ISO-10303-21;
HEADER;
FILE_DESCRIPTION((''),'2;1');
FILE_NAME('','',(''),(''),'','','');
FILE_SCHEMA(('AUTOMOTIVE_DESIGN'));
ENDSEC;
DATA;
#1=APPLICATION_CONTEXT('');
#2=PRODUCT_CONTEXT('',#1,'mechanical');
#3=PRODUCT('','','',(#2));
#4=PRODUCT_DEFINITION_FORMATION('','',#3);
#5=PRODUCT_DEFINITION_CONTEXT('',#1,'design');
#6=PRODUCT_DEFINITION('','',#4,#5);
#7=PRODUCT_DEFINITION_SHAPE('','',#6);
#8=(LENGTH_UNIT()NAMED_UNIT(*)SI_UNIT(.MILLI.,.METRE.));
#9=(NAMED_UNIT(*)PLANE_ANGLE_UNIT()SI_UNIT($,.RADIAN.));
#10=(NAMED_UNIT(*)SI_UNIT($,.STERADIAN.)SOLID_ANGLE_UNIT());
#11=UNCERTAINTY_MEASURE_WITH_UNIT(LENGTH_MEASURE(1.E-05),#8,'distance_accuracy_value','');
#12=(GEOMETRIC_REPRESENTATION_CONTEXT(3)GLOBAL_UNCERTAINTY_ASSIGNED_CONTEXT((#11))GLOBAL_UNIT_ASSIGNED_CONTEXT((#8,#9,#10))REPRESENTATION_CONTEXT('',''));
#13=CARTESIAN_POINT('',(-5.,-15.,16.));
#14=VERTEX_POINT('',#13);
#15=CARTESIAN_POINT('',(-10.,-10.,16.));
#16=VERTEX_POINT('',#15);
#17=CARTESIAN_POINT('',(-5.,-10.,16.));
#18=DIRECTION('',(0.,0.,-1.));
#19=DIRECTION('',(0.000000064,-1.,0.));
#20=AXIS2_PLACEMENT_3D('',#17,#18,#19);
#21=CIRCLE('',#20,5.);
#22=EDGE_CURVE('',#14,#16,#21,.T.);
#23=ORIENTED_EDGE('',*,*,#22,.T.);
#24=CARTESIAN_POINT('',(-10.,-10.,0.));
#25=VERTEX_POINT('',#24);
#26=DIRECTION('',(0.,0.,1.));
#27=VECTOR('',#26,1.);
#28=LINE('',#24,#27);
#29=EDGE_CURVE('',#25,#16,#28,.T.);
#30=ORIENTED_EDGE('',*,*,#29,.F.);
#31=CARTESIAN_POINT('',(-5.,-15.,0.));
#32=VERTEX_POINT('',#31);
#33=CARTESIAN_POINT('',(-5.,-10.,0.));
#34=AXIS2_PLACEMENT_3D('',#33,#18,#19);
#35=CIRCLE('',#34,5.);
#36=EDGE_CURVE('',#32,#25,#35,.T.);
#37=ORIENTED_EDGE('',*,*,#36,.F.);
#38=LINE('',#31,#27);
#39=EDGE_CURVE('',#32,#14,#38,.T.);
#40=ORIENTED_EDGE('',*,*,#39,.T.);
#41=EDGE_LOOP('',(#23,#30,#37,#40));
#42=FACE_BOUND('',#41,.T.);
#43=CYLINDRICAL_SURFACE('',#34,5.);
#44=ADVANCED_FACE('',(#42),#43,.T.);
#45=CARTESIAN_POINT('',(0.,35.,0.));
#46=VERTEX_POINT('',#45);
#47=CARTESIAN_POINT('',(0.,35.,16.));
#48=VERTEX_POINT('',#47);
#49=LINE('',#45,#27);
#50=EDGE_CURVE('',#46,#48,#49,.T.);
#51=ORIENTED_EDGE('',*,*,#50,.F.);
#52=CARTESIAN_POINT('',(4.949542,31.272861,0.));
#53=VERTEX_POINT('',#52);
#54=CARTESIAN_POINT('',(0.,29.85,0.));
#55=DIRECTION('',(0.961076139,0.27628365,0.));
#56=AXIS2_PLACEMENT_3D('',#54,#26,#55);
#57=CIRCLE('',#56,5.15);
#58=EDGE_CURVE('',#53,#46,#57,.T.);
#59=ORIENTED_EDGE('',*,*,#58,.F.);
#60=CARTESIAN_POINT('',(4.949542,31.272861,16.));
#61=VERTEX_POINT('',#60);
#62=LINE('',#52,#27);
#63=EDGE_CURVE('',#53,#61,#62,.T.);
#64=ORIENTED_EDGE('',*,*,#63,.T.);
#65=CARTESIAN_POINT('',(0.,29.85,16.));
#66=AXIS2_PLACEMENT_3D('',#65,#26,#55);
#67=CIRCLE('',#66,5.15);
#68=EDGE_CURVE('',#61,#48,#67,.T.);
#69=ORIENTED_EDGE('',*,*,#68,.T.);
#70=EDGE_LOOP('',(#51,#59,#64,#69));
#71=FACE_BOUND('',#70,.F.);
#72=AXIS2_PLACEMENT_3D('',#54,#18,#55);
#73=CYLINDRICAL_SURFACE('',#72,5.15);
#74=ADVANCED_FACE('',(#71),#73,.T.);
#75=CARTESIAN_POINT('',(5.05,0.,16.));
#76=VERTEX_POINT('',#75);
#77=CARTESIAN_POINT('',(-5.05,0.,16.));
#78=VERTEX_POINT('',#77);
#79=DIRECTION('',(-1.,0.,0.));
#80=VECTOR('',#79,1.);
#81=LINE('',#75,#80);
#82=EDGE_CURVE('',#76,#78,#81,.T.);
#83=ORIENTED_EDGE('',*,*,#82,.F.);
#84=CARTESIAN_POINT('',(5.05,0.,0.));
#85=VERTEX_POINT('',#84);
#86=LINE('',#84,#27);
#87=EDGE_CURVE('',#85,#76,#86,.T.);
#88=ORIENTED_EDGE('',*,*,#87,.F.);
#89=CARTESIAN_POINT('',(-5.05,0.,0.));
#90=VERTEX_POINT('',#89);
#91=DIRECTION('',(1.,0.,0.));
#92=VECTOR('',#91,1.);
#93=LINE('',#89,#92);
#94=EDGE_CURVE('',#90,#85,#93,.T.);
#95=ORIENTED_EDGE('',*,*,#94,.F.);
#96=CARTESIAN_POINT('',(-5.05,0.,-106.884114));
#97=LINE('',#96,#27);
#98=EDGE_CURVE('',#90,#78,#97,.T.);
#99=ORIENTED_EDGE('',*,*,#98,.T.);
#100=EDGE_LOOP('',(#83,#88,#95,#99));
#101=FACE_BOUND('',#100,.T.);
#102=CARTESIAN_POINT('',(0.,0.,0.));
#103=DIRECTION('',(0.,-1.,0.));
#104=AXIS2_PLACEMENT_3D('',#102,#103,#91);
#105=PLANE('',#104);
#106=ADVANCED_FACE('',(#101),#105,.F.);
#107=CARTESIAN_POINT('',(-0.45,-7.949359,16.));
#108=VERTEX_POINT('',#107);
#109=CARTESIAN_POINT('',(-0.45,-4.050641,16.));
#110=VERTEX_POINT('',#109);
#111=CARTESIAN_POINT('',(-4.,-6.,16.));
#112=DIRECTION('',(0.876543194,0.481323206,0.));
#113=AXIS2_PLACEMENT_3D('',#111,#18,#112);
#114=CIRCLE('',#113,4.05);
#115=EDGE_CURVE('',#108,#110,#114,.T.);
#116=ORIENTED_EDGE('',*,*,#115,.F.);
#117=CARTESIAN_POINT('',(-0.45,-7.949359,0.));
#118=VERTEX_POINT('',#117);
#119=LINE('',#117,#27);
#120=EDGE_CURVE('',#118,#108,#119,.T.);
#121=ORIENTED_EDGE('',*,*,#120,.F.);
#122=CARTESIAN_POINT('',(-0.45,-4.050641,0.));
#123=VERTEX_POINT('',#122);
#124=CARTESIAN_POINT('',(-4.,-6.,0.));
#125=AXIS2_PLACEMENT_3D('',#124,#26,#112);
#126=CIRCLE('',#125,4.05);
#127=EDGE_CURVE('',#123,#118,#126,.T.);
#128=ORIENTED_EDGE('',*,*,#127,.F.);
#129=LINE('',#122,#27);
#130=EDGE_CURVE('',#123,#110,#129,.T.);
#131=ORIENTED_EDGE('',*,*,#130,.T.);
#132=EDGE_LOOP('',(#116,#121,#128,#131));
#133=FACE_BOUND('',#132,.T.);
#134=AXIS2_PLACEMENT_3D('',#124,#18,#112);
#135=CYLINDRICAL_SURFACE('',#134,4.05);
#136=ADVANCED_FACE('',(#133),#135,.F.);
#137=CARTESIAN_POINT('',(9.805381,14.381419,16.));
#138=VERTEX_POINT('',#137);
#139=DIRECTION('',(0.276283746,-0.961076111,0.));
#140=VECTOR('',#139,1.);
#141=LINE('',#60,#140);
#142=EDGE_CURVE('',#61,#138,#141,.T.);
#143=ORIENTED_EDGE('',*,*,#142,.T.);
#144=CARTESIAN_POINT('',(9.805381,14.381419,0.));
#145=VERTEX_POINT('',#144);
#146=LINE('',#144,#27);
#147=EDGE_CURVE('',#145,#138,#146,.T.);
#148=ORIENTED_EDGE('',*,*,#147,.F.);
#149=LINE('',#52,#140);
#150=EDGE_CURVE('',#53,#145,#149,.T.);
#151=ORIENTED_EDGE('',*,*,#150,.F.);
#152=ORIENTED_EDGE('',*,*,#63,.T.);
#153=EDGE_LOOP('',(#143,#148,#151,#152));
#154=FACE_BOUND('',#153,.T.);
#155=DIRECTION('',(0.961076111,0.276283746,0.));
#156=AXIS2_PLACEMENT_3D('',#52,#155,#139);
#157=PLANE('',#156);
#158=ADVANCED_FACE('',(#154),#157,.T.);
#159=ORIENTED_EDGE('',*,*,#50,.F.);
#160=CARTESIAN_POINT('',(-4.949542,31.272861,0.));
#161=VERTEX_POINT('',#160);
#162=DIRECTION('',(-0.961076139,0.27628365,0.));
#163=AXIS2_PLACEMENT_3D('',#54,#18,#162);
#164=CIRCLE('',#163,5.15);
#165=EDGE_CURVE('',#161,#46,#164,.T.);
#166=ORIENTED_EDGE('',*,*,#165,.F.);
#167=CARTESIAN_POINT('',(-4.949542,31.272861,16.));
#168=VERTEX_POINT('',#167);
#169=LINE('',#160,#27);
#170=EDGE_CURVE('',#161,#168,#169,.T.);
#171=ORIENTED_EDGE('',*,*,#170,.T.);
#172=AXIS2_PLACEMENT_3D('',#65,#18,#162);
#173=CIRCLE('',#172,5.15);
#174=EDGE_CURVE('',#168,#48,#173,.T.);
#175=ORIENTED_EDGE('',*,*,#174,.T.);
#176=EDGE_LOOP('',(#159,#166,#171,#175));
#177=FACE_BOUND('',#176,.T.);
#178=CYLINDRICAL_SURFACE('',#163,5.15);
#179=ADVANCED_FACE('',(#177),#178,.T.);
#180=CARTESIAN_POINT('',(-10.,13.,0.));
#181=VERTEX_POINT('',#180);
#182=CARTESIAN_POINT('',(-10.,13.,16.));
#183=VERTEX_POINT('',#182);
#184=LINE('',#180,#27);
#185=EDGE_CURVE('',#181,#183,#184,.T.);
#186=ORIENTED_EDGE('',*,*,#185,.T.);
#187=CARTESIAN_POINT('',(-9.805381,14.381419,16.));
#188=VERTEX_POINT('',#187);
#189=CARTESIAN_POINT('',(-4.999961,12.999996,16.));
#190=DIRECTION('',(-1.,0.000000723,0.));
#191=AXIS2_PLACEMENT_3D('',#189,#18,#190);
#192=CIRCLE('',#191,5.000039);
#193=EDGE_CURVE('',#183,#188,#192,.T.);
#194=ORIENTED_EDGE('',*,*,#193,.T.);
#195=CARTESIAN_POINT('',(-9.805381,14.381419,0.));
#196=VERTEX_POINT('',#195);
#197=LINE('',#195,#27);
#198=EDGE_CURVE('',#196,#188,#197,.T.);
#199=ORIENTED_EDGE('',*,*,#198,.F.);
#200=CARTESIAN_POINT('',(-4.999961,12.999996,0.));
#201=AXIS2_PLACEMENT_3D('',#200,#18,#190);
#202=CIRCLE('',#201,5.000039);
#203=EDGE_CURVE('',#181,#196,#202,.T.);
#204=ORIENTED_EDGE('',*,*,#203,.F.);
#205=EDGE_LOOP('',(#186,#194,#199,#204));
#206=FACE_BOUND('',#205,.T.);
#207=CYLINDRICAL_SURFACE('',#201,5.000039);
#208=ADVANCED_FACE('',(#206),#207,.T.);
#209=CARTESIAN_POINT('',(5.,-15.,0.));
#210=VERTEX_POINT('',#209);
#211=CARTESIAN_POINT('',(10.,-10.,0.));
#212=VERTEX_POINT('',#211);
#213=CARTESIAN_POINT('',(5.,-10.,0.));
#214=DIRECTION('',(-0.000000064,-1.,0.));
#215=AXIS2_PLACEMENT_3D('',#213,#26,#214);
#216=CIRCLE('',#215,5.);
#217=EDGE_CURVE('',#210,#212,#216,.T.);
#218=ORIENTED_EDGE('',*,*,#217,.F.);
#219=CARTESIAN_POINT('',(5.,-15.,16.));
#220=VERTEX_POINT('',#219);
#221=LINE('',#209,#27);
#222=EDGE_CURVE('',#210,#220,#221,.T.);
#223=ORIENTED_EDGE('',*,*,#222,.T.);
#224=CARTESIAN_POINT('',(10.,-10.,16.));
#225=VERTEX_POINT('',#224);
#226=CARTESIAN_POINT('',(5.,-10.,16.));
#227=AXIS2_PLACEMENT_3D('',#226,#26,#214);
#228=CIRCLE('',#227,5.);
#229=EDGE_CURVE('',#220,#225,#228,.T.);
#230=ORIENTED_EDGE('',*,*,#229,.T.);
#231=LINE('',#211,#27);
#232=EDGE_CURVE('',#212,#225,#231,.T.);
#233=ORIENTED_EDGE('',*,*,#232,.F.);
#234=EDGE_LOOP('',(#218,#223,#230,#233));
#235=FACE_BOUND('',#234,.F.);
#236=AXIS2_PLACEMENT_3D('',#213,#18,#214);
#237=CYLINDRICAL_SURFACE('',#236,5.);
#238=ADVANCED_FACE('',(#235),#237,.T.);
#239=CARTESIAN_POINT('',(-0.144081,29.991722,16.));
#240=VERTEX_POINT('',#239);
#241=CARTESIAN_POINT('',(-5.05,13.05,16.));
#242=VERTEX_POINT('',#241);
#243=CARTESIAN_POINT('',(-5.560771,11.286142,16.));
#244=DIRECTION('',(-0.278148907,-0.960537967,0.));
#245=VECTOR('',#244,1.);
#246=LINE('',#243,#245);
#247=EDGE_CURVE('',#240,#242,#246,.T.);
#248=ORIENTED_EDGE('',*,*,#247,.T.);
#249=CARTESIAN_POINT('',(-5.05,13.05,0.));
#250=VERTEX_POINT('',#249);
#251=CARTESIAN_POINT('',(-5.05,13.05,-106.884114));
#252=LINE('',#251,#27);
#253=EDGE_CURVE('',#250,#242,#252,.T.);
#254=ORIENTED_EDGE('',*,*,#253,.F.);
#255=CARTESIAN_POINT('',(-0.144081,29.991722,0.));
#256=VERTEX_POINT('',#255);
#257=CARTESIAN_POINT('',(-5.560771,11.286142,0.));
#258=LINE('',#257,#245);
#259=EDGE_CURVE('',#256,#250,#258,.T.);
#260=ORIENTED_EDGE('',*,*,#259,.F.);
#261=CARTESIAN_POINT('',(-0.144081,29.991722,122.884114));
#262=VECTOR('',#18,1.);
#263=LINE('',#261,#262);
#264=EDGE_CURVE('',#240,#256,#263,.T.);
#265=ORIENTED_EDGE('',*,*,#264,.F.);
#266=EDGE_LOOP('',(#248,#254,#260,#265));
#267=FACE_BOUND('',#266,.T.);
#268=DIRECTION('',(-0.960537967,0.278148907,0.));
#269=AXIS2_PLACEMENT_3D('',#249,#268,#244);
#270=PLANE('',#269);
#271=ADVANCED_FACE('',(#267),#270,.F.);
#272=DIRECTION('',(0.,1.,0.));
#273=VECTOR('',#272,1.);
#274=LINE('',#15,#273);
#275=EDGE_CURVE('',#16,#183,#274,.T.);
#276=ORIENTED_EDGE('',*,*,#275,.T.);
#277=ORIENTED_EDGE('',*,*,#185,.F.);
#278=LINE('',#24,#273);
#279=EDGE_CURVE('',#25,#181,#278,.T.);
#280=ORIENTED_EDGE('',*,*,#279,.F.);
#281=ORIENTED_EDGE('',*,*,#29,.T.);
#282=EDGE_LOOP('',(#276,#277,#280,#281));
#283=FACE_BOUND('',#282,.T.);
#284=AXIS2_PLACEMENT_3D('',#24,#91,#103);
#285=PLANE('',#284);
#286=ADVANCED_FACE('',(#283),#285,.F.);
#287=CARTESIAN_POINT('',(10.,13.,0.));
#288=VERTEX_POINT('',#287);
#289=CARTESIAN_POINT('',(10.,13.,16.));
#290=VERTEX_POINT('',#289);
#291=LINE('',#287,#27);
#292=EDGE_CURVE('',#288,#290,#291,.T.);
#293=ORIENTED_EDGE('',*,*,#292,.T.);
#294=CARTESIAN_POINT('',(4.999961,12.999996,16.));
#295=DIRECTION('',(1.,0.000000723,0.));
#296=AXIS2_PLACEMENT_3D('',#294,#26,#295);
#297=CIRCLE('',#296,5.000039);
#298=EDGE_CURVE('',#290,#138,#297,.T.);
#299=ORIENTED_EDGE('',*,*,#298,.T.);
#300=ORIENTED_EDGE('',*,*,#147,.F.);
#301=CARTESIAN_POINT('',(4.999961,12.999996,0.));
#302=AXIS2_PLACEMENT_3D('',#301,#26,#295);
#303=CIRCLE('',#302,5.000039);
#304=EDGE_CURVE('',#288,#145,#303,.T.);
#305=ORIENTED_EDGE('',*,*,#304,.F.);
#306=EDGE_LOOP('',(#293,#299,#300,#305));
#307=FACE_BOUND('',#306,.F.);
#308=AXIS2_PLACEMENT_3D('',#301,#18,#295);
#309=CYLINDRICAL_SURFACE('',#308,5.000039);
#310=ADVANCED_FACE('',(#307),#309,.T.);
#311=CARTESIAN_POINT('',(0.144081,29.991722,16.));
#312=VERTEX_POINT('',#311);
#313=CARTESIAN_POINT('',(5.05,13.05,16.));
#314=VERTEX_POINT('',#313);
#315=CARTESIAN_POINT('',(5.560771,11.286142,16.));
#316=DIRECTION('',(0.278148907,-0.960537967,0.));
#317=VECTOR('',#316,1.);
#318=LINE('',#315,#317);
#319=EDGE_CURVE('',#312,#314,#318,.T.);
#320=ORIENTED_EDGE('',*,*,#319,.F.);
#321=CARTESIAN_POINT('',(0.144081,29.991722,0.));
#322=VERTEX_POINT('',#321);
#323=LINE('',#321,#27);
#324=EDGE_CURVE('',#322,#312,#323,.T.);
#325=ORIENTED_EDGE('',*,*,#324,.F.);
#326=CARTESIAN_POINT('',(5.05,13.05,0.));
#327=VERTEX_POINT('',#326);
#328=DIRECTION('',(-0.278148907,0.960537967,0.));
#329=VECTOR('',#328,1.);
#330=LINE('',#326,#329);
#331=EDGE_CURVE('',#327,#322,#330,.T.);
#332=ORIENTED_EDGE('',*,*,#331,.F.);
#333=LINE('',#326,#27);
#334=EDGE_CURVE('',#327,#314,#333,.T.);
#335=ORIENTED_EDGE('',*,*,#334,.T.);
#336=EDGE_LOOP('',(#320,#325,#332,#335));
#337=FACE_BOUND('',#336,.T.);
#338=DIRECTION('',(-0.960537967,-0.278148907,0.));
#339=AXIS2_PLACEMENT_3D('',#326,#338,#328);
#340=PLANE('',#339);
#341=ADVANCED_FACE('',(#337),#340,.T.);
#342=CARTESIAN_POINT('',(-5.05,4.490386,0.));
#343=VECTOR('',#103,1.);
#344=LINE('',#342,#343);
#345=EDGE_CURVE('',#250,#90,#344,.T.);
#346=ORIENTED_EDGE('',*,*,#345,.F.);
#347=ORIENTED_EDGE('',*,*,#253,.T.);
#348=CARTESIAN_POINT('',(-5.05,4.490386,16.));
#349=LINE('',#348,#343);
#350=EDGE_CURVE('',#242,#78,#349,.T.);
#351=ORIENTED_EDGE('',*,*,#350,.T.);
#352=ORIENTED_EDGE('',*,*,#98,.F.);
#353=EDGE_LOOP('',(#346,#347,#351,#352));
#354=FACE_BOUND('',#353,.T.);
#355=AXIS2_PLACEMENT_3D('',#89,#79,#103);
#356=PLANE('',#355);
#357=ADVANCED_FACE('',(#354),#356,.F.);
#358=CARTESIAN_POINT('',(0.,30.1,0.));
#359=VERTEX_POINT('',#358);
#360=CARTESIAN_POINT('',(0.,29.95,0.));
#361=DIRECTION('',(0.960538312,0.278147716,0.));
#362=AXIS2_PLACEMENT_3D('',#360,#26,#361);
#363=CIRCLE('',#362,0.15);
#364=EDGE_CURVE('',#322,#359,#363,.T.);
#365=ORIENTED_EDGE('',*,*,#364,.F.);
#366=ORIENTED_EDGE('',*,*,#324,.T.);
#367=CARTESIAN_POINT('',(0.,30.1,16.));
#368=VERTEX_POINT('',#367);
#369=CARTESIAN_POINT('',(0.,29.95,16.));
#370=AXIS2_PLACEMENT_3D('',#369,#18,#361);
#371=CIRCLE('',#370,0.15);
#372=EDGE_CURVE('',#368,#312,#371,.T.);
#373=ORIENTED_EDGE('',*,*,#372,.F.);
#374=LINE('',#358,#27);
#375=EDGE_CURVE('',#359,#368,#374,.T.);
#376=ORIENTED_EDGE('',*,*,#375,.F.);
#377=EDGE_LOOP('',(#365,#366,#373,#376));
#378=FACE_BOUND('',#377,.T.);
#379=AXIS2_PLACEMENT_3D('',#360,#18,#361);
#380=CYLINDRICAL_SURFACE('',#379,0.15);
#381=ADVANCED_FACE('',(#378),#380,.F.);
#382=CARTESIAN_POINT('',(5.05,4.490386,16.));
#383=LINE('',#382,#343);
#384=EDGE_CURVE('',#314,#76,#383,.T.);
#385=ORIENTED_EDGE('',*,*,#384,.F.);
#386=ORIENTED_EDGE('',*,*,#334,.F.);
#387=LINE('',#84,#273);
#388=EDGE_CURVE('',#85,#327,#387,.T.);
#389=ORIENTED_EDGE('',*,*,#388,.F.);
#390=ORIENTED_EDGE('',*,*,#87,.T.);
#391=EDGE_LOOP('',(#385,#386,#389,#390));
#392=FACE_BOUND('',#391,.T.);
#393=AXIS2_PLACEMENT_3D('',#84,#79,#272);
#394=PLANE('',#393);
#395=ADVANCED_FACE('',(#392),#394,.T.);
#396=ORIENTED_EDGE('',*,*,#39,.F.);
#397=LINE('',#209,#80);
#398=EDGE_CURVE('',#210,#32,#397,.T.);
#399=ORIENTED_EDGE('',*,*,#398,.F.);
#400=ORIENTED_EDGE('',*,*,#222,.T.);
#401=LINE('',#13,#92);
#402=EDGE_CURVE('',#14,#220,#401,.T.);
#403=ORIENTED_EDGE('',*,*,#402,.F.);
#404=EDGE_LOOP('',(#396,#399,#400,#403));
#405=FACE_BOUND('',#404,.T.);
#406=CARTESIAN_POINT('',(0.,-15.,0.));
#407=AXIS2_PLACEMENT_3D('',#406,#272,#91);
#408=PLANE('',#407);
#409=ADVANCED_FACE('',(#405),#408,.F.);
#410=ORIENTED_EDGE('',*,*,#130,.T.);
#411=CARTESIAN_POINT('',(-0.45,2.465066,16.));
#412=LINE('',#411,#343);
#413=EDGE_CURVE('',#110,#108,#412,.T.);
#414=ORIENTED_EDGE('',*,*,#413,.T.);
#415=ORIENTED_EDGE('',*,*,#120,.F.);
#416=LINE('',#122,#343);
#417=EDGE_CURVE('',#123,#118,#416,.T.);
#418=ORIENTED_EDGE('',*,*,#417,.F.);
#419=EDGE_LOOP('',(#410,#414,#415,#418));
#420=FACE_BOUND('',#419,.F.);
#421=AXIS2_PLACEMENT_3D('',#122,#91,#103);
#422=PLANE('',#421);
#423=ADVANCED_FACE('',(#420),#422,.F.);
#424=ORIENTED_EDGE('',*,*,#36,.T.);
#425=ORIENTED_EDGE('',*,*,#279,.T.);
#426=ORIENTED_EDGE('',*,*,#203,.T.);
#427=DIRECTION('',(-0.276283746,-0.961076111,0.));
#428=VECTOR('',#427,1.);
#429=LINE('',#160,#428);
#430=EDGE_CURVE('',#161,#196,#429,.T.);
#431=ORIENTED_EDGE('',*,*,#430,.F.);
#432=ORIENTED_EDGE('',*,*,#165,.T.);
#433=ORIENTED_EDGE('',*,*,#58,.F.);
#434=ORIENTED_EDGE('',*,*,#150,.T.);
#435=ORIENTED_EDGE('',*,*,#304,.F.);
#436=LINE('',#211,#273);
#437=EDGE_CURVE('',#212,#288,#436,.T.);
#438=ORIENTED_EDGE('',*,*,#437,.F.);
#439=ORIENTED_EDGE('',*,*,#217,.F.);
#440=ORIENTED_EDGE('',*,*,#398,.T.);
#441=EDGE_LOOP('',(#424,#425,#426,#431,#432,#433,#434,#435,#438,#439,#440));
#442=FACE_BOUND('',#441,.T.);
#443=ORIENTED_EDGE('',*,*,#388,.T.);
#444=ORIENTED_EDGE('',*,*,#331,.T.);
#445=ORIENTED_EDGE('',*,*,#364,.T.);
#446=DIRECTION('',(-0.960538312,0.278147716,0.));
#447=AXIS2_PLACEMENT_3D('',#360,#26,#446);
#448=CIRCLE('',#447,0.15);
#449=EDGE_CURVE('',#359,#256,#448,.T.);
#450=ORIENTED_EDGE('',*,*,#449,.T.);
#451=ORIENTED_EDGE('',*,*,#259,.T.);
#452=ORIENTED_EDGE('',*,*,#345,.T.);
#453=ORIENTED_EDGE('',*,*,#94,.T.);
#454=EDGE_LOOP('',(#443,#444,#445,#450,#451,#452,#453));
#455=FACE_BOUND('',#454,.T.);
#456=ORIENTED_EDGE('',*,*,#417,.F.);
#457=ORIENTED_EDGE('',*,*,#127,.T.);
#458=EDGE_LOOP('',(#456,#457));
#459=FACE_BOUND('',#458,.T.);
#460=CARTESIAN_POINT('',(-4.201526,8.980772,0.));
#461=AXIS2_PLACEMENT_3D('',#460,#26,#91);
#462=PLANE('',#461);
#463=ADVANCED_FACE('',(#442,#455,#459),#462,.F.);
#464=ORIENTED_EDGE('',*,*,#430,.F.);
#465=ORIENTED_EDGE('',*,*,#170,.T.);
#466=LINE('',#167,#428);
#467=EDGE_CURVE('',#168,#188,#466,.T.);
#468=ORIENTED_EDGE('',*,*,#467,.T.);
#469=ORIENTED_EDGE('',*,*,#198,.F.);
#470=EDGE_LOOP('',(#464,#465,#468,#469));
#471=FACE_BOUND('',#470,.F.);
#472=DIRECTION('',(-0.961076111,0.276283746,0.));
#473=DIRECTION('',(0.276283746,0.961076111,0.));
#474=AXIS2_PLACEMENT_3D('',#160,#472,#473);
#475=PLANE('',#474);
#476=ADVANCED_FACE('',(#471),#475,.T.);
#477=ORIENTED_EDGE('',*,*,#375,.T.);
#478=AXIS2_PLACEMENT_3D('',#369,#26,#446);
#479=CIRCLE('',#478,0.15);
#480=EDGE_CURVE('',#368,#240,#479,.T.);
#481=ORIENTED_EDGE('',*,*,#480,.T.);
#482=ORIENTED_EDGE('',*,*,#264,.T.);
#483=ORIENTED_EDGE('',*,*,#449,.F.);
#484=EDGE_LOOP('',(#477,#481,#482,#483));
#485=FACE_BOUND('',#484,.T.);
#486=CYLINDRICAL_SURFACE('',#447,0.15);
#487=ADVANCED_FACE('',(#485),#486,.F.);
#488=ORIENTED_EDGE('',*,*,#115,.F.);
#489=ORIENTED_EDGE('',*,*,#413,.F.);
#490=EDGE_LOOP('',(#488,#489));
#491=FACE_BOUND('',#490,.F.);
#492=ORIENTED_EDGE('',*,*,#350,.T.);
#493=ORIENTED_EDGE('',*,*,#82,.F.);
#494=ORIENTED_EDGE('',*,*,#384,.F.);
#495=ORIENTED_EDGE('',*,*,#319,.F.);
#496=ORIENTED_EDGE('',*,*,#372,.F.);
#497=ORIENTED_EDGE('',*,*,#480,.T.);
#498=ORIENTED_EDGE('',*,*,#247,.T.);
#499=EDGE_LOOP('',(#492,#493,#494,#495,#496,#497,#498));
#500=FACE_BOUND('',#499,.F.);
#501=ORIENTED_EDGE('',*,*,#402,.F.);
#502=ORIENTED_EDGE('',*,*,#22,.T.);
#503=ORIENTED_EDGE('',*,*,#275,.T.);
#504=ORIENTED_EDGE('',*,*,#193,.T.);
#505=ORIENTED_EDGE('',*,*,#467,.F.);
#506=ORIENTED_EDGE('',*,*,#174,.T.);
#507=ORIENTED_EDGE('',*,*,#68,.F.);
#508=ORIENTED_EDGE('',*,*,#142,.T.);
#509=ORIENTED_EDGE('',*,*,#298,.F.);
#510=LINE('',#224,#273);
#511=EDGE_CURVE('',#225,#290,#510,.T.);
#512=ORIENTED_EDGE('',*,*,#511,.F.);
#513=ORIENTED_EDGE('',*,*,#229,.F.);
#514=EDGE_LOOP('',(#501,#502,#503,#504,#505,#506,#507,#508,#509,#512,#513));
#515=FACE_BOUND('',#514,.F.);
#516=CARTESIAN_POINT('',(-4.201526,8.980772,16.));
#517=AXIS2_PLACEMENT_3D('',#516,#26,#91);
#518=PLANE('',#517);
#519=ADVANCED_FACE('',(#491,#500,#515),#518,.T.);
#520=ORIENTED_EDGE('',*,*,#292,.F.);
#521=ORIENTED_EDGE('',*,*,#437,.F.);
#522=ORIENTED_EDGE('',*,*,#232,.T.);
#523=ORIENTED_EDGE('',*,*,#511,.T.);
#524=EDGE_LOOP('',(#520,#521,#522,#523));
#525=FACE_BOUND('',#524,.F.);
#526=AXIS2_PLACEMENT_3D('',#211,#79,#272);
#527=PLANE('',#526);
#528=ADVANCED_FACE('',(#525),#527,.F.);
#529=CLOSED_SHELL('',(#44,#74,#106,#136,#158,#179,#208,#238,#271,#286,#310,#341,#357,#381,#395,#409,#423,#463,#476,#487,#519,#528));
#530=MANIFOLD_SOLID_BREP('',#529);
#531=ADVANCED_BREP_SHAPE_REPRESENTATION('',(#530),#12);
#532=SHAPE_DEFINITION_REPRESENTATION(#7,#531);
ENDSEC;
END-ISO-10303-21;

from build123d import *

# Parameters (mm, degrees)
PAD_DEPTH            = 16
POCKET_DEPTH         = 106.884114
POCKET_DEPTH_BACK    = 122.884114
POCKET001_DEPTH      = 0.001
POCKET001_DEPTH_BACK = 16.001


with BuildPart() as part:
    # Sketch → Pad (new body)
    with BuildSketch(Plane.XY):
        with BuildLine():
            ThreePointArc((4.949542, 31.272861), (3.097964, 33.964015), (0, 35))
            Line((0, -15), (0, 35))
            Line((0, -15), (5, -15))
            ThreePointArc((5, -15), (8.535534, -13.535534), (10, -10))
            Line((10, -10), (10, 13))
            ThreePointArc((10, 13), (9.951106, 13.69753), (9.805381, 14.381419))
            Line((4.949542, 31.272861), (9.805381, 14.381419))
        make_face()
    pad = extrude(amount=PAD_DEPTH)

    # Sketch001 → Pocket (cut, two sides)
    with BuildSketch(Plane.XY) as pocket_sk:
        with BuildLine():
            Line((0, 0), (5.05, 0))
            Line((5.05, 0), (5.05, 13.05))
            Line((5.05, 13.05), (0.144081, 29.991722))
            ThreePointArc((0.144081, 29.991722), (0.090116, 30.069913), (0, 30.1))
            Line((0, 30.1), (0, 0))
        make_face()
    pocket = extrude(amount=-POCKET_DEPTH, mode=Mode.SUBTRACT) + extrude(pocket_sk.sketch, amount=POCKET_DEPTH_BACK, mode=Mode.SUBTRACT)

    # Mirrored: Pad, Pocket across Sketch V_Axis
    add(pad.mirror(Plane(origin=(0, 0, 0), x_dir=(0, 0, 1), z_dir=(1, 0, 0))))
    add(pocket.mirror(Plane(origin=(0, 0, 0), x_dir=(0, 0, 1), z_dir=(1, 0, 0))), mode=Mode.SUBTRACT)

    # Sketch002 → Pocket001 (cut, two sides)
    with BuildSketch(Plane(origin=(-4, -6, 0), x_dir=(1, 0, 0), z_dir=(0, 0, 1))) as pocket001_sk:
        with BuildLine():
            ThreePointArc((3.55, 1.949359), (-4.05, 0), (3.55, -1.949359))
            Line((3.55, 1.949359), (3.55, -1.949359))
        make_face()
    extrude(amount=-POCKET001_DEPTH, mode=Mode.SUBTRACT)
    extrude(pocket001_sk.sketch, amount=POCKET001_DEPTH_BACK, mode=Mode.SUBTRACT)


solid = part.part
